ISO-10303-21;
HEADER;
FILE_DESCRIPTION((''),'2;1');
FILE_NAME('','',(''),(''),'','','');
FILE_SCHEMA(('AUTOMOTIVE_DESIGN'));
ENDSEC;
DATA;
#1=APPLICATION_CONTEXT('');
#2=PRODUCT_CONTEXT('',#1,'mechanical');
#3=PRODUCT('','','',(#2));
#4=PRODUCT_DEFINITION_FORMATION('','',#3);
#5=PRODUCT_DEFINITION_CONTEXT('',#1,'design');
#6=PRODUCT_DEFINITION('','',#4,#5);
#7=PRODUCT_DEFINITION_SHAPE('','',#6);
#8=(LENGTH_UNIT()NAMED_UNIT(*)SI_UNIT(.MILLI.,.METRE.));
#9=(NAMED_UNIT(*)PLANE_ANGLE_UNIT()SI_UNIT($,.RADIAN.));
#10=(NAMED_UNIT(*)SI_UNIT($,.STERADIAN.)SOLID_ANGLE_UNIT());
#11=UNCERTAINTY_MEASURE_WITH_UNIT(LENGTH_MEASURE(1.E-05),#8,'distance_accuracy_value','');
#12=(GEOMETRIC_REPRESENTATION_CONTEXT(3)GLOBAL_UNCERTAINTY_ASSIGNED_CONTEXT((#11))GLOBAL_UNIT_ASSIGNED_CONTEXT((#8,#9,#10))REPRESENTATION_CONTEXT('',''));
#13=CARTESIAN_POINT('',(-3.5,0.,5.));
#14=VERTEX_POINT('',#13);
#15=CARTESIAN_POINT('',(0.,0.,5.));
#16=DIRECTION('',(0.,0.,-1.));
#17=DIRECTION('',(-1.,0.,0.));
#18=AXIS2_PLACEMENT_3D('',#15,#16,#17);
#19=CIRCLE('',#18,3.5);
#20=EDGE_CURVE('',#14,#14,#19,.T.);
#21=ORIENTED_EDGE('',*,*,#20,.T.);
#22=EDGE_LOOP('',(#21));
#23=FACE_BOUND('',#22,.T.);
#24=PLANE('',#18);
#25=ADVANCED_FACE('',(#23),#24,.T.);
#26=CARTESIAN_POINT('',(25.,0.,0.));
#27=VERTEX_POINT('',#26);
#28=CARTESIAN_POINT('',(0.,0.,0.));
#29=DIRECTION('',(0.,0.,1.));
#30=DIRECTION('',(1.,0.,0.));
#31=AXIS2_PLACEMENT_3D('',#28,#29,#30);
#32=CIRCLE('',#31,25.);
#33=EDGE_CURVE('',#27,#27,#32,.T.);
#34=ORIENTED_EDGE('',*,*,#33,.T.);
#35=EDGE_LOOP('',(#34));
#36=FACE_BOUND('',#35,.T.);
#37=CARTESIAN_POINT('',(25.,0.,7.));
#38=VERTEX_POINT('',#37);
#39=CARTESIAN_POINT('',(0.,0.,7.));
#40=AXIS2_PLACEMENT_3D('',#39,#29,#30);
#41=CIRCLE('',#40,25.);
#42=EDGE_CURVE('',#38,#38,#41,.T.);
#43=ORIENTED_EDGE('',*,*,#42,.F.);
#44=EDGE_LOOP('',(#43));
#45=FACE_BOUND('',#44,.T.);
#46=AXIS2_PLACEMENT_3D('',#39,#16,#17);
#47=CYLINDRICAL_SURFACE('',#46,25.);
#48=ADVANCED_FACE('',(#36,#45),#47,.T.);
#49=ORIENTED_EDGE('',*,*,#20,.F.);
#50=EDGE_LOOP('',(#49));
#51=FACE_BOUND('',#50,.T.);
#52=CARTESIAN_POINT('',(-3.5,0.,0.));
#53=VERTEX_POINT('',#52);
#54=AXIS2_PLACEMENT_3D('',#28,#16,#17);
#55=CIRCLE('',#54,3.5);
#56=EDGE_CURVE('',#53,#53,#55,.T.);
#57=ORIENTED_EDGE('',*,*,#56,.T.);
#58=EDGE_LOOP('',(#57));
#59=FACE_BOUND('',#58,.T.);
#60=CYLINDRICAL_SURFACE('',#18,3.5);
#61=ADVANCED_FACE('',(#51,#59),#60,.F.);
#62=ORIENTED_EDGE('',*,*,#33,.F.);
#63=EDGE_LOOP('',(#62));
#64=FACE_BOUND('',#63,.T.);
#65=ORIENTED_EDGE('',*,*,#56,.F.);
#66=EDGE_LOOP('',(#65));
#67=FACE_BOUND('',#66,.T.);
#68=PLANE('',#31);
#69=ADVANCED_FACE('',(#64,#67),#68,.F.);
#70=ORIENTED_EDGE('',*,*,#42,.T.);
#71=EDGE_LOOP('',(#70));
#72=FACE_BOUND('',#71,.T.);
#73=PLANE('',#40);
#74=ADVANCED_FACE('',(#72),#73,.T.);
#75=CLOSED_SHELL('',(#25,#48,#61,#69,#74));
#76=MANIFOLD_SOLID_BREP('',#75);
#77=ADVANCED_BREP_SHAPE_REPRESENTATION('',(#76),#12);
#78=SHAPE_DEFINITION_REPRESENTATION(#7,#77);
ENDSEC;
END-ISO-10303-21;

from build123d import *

# Parameters (mm, degrees)
SKETCH1_R           = 25
BOSS_EXTRUDE1_DEPTH = 7
SKETCH2_R           = 3.5
CUT_EXTRUDE1_DEPTH  = 5


with BuildPart() as part:
    # Sketch1 → Boss-Extrude1 (new body)
    with BuildSketch(Plane.XY):
        Circle(SKETCH1_R)
    extrude(amount=BOSS_EXTRUDE1_DEPTH)

    # Sketch2 → Cut-Extrude1 (cut)
    with BuildSketch(Plane(origin=(0, 0, 0), x_dir=(-1, 0, 0), z_dir=(0, 0, -1))):
        Circle(SKETCH2_R)
    extrude(amount=-CUT_EXTRUDE1_DEPTH, mode=Mode.SUBTRACT)


solid = part.part
